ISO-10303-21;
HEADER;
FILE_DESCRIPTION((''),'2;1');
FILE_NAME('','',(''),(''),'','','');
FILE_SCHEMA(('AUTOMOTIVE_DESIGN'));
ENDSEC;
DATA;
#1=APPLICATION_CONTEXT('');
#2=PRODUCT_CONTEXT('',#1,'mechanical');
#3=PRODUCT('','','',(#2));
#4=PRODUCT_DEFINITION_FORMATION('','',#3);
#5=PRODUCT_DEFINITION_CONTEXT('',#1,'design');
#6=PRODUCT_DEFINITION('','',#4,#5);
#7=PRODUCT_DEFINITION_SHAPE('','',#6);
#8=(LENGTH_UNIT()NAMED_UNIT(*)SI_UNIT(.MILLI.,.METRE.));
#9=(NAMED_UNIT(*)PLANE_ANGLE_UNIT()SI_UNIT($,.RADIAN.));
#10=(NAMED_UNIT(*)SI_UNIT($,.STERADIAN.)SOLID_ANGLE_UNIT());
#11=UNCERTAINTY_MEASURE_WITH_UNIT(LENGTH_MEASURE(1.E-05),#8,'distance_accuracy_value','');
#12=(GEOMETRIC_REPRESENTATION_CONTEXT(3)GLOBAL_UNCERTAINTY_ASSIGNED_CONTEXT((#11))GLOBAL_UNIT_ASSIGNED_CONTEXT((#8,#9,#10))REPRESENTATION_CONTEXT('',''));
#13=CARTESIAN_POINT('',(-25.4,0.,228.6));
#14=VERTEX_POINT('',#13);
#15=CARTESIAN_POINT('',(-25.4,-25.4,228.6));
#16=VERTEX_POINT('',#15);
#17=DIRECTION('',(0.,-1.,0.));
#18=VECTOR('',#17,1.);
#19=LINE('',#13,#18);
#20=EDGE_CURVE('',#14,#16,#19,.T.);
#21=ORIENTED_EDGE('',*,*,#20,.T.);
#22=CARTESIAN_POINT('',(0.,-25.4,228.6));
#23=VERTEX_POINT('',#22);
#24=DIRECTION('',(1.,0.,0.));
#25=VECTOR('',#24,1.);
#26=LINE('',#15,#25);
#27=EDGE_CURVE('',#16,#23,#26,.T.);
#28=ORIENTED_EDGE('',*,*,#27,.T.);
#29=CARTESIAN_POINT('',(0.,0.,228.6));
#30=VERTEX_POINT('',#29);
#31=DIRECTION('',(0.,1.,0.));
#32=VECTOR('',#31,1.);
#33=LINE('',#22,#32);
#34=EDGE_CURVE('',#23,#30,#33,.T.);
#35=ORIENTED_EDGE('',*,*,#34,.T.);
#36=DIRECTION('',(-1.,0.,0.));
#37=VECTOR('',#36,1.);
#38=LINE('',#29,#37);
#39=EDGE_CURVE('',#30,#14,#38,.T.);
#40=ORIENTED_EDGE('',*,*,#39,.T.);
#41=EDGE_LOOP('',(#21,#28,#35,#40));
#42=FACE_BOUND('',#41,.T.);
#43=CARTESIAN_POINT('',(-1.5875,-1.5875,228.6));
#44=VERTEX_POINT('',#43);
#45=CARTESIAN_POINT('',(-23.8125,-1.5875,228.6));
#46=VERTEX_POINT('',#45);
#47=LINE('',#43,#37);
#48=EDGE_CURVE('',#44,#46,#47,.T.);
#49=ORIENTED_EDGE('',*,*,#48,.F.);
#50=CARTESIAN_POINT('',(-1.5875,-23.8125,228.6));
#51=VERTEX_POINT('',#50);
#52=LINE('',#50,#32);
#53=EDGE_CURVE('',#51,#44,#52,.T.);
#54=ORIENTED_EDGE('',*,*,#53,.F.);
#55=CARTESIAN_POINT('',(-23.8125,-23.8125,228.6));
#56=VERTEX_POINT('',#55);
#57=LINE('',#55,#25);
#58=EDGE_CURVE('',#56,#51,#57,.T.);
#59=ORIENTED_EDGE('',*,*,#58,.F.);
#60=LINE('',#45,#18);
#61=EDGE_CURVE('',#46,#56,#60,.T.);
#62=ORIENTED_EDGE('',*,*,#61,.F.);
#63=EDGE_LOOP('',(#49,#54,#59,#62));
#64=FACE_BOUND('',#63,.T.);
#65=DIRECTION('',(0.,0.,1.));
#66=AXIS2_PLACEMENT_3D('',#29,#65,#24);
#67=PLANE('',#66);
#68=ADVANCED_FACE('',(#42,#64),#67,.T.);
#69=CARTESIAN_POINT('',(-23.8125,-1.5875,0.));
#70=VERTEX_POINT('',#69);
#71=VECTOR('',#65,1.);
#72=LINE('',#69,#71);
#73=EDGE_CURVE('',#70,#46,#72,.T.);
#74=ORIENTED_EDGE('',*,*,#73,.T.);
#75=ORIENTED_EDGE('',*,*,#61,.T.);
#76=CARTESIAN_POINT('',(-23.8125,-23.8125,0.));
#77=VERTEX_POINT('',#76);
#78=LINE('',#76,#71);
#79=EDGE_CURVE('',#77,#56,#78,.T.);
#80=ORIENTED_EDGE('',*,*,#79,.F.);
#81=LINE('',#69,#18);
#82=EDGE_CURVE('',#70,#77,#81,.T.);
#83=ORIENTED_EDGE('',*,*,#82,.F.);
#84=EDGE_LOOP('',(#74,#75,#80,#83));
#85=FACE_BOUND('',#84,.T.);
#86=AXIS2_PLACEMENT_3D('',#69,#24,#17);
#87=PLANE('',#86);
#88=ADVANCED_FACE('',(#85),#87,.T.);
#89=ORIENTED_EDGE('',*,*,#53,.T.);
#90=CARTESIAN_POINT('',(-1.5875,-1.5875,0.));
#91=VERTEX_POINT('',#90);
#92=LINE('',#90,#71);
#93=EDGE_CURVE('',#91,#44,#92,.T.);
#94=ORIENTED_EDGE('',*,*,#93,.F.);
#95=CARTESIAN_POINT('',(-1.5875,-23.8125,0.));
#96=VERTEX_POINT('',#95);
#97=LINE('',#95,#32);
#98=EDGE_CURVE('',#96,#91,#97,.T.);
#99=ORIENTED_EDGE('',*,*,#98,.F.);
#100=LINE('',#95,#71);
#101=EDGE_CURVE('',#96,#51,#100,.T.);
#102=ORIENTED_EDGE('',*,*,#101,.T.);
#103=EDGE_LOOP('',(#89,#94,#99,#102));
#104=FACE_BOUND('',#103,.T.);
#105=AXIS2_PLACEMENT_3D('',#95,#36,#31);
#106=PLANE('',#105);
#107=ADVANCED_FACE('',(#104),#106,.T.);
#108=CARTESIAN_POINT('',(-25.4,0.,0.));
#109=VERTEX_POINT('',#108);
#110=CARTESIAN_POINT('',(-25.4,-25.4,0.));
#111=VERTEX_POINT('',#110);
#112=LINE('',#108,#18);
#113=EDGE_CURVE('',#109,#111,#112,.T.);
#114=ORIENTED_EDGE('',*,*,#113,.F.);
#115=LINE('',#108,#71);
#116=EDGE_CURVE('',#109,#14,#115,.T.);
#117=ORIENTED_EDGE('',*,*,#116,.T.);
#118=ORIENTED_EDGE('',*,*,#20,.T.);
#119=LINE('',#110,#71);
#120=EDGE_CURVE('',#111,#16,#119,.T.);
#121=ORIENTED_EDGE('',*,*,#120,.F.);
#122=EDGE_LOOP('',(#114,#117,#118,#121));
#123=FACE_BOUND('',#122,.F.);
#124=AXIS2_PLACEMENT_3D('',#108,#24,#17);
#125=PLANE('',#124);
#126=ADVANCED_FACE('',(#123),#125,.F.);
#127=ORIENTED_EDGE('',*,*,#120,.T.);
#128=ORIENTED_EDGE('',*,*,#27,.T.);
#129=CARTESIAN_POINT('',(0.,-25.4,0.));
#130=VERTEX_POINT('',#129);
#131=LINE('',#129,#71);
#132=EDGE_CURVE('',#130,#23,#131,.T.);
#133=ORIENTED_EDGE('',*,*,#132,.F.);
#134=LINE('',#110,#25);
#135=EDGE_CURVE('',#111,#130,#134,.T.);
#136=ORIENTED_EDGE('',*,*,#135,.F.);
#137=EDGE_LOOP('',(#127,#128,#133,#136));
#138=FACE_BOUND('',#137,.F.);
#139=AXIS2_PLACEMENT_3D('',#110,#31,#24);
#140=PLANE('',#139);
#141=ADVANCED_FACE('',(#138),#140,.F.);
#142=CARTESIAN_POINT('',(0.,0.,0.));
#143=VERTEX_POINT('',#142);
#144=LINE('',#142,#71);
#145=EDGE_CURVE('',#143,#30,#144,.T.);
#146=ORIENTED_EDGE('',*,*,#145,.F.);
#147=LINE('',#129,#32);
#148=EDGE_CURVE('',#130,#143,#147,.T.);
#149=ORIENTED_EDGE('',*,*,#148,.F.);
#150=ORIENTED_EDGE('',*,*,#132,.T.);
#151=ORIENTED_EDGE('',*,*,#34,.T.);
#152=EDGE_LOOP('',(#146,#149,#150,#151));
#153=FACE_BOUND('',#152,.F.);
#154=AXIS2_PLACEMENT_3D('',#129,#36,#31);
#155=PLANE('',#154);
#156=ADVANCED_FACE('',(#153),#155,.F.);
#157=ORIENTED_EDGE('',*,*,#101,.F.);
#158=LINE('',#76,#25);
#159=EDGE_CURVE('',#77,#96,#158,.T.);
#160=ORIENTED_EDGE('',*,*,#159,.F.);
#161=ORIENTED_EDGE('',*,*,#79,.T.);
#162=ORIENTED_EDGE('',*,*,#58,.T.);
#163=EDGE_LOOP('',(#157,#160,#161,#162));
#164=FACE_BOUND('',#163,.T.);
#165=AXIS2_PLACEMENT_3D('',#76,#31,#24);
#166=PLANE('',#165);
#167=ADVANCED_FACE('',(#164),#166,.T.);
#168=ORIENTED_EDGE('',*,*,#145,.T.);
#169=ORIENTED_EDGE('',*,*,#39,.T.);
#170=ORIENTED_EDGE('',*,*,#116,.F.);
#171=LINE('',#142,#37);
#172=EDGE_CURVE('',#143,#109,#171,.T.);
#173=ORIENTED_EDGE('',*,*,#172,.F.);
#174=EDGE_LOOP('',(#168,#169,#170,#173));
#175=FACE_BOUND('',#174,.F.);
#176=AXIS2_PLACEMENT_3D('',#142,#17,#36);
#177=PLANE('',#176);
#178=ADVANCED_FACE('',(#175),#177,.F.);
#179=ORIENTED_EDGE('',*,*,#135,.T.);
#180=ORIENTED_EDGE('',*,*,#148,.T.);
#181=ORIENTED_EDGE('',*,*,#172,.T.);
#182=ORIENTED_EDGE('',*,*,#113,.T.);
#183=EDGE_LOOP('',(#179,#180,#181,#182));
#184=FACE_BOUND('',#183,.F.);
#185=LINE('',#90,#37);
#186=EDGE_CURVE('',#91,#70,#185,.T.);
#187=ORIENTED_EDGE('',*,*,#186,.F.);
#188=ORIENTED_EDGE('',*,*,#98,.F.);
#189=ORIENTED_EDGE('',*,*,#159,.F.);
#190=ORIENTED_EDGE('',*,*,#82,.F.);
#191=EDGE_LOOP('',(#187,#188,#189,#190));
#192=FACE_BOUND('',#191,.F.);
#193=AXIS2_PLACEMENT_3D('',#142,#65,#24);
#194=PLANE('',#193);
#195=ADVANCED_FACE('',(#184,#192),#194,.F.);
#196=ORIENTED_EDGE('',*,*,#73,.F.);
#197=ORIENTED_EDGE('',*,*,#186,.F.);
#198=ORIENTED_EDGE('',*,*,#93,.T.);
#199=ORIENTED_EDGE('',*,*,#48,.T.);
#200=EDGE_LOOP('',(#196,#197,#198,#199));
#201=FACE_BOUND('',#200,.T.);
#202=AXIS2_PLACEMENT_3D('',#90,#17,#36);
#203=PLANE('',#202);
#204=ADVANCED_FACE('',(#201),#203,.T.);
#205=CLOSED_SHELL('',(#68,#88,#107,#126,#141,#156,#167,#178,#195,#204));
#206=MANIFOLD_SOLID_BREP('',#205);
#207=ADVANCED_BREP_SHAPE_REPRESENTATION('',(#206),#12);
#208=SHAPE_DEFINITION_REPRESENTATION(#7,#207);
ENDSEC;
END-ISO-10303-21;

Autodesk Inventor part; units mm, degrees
ref_plane "YZ Plane" through (0, 0, 0) normal (1, 0, 0) x (0, 1, 0)
ref_plane "XZ Plane" through (0, 0, 0) normal (0, 1, 0) x (-1, 0, 0)
ref_plane "XY Plane" through (0, 0, 0) normal (0, 0, 1) x (1, 0, 0)
sketch "Sketch1" plane through (0, 0, 0) normal (0, 0, 1) x (1, 0, 0)
  line L0 (-25.4, -25.4) -> (0, -25.4)
  line L1 (0, -25.4) -> (0, 0)
  line L2 (0, 0) -> (-25.4, 0)
  line L3 (-25.4, 0) -> (-25.4, -25.4)
  line L4 (-23.8125, -23.8125) -> (-1.5875, -23.8125)
  line L5 (-1.5875, -23.8125) -> (-1.5875, -1.5875)
  line L6 (-1.5875, -1.5875) -> (-23.8125, -1.5875)
  line L7 (-23.8125, -1.5875) -> (-23.8125, -23.8125)
  dimension "d0" = 25.4
  dimension "d1" = 25.4
  dimension "d2" = 22.225
  dimension "d3" = 22.225
extrude "Extrusion1" add sketch "Sketch1" along normal blind 228.6
properties part number "4 in 1-16 tubing"
